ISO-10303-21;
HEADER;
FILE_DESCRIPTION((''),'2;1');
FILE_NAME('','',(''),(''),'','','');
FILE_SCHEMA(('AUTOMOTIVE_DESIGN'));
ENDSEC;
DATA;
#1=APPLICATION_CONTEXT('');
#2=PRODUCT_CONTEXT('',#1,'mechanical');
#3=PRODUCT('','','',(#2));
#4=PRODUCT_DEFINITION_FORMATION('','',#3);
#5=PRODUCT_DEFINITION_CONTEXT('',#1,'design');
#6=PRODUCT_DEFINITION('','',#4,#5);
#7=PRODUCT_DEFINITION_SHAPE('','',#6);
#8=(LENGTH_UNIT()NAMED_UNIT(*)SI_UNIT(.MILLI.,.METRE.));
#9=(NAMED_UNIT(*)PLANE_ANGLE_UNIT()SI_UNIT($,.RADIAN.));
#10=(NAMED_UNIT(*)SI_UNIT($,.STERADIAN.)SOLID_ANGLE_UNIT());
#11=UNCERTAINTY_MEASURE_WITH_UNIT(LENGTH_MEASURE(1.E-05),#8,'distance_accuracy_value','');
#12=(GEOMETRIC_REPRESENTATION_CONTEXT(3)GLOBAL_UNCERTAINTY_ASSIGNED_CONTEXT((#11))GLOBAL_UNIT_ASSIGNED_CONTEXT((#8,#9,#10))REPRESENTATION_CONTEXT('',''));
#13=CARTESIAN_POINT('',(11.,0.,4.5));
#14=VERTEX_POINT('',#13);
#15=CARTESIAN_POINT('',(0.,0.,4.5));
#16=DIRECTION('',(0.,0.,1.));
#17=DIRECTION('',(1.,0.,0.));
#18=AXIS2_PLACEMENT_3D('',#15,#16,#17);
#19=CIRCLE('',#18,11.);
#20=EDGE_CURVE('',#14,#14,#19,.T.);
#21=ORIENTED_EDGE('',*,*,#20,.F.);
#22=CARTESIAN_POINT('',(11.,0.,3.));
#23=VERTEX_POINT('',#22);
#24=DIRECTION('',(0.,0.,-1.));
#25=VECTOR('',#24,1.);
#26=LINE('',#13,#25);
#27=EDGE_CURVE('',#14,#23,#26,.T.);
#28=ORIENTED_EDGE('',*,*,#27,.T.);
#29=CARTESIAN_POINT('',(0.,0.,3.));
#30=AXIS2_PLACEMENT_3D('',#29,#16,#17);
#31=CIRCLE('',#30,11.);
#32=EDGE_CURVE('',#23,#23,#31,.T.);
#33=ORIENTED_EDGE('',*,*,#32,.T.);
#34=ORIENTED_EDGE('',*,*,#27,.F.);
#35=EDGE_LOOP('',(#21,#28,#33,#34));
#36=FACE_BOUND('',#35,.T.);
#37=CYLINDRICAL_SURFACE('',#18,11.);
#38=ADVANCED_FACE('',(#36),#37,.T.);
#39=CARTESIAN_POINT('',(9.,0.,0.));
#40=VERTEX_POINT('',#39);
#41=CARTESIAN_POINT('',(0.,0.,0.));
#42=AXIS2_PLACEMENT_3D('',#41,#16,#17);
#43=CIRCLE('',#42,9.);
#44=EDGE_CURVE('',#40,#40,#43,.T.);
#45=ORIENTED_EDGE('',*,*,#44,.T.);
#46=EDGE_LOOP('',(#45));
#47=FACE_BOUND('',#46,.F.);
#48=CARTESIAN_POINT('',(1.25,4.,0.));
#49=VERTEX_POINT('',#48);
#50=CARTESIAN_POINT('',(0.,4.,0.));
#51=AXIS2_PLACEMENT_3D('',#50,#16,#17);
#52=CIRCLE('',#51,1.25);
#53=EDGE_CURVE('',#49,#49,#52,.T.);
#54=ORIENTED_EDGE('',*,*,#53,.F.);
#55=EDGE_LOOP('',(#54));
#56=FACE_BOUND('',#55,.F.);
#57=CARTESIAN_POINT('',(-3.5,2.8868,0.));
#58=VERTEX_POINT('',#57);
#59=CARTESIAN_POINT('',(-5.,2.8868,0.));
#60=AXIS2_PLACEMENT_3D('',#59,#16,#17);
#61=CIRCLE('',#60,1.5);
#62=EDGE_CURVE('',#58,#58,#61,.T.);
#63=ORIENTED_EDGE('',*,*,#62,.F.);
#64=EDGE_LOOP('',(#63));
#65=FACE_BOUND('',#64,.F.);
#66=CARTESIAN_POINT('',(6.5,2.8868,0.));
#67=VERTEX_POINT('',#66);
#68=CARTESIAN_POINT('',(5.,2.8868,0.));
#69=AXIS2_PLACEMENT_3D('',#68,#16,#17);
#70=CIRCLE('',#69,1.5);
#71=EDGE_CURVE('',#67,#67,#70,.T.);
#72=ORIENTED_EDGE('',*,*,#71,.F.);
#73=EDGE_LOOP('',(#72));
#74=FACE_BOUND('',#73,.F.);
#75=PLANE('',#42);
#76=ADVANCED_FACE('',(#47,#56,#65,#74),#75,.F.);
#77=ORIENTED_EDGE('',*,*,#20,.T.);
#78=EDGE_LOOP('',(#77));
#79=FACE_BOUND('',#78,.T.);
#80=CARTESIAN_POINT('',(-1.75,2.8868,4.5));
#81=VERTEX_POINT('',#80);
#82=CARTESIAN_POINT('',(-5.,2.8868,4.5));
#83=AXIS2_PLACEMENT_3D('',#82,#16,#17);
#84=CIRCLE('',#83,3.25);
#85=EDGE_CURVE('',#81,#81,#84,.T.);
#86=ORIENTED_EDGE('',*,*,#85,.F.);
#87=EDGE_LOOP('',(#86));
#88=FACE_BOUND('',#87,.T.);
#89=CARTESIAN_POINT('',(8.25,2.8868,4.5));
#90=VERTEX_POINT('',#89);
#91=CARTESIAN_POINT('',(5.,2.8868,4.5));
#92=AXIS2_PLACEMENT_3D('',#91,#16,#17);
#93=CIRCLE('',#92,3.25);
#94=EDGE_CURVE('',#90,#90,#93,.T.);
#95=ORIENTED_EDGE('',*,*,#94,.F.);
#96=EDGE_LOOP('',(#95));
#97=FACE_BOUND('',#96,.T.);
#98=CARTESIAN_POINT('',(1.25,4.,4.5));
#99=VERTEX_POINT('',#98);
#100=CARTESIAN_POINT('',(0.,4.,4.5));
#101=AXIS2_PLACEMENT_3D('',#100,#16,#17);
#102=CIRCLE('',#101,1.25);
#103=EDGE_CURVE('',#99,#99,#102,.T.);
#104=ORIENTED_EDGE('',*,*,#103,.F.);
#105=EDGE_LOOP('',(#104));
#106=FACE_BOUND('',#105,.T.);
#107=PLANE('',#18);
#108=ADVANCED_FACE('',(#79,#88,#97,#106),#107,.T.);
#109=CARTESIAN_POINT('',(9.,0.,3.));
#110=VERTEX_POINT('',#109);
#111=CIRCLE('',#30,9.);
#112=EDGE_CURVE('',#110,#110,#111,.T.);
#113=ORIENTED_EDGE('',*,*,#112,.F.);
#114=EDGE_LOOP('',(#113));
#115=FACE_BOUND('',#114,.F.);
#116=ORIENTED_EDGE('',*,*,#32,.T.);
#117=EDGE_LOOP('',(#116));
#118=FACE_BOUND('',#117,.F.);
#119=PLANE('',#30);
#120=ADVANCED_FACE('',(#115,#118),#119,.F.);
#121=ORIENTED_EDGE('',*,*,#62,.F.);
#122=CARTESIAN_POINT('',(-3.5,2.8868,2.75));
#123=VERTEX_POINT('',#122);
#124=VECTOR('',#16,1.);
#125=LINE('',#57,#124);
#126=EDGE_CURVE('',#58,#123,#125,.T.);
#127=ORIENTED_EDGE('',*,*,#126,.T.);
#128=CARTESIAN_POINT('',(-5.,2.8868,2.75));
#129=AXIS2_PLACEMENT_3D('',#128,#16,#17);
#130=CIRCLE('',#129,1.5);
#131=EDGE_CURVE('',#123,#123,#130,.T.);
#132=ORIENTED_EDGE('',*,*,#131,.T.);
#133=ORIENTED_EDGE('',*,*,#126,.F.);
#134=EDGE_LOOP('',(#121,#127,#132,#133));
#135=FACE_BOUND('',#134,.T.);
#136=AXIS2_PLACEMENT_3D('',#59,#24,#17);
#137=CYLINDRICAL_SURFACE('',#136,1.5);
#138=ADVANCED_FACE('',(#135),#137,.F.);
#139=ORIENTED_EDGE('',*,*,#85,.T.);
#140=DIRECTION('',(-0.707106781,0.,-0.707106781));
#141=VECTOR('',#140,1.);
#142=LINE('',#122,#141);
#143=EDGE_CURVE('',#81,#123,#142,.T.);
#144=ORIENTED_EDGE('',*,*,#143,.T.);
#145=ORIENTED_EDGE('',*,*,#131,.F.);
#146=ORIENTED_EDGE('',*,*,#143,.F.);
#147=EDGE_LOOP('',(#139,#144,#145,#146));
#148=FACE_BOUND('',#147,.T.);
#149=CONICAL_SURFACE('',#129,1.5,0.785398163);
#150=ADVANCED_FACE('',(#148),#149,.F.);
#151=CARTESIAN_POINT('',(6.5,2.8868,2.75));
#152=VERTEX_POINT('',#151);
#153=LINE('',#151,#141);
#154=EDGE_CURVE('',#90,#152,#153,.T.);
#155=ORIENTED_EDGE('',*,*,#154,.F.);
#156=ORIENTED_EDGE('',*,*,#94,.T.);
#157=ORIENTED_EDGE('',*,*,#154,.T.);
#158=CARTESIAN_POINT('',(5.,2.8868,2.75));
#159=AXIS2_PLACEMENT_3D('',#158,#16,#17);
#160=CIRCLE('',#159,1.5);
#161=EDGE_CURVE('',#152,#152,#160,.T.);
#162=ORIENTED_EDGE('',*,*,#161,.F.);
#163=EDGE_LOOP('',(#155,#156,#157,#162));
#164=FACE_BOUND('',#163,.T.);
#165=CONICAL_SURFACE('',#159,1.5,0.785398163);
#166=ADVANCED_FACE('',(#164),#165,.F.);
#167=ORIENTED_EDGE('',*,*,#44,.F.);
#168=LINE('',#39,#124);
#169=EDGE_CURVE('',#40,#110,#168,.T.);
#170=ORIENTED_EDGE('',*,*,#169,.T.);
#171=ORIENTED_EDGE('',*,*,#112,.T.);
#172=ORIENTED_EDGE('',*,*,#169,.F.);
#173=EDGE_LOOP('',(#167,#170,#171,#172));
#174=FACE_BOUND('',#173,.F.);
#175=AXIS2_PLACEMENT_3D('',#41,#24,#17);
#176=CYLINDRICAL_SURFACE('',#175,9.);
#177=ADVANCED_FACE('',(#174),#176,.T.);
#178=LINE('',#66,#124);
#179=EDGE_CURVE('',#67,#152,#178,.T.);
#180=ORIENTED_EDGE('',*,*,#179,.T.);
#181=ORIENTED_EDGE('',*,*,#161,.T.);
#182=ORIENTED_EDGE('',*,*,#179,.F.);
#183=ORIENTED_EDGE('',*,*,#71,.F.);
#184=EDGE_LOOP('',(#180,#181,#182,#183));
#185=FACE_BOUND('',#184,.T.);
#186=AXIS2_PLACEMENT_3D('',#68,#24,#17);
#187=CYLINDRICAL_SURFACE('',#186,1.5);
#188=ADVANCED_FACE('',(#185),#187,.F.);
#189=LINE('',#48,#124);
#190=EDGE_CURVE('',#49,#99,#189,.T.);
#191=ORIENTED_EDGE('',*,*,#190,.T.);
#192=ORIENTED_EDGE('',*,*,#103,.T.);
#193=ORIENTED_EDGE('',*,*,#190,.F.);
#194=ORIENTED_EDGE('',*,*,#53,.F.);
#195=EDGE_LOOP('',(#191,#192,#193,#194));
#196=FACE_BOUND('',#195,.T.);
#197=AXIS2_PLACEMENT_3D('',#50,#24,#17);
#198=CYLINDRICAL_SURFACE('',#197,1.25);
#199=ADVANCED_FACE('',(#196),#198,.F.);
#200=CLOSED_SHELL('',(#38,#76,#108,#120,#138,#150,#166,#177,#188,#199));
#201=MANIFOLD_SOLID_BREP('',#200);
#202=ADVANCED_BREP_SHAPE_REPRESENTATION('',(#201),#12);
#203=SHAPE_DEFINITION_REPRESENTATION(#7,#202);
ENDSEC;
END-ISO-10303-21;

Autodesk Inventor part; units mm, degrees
ref_plane "YZ Plane" through (0, 0, 0) normal (1, 0, 0) x (0, 1, 0)
ref_plane "XZ Plane" through (0, 0, 0) normal (0, 1, 0) x (-1, 0, 0)
ref_plane "XY Plane" through (0, 0, 0) normal (0, 0, 1) x (1, 0, 0)
sketch "スケッチ1" plane through (0, 0, 0) normal (0, 0, 1) x (1, 0, 0)
  circle A0 centre (0, 0) radius 9
  line L0 (-5, 2.8868) -> (5, 2.8868) construction
  line L1 (5, 2.8868) -> (0, -5.7735) construction
  line L2 (0, -5.7735) -> (-5, 2.8868) construction
  circle A1 centre (-5, 2.8868) radius 1.5
  circle A2 centre (5, 2.8868) radius 1.5
  circle A3 centre (0, -5.7735) radius 1.5
  circle A4 centre (0, 4) radius 1.25
  line L3 (0, 0) -> (0, 4) construction
  circle A5 centre (0, 0) radius 10
  dimension "d0" = 18
  dimension "d1" = 10
  dimension "d2" = 3
  dimension "d3" = 3
  dimension "d4" = 3
  dimension "d5" = 2.5
  dimension "d6" = 4
  dimension "d12" = 1
extrude "押し出し1" add sketch "スケッチ1" along normal blind 4.5 contours A0 | A3
sketch "スケッチ2" plane through (0, 0, 4.5) normal (0, 0, 1) x (1, 0, 0)
  circle A0 centre (0, 0) radius 11
  circle A1 centre (5, 2.8868) radius 1.5 projected
  circle A2 centre (-5, 2.8868) radius 1.5 projected
  circle A3 centre (0, 4) radius 1.25 projected
  circle A4 centre (0, 0) radius 9 projected
  dimension "d15" = 2
extrude "押し出し2" add sketch "スケッチ2" against normal blind 1.5 contours A0
chamfer "面取り2" distance 1.75 angle 45 2 edges at (-6.5, 2.8868, 4.5) (3.5, 2.8868, 4.5)
properties part number "横回転最終段カム" material "アルミニウム 2014-T4"
